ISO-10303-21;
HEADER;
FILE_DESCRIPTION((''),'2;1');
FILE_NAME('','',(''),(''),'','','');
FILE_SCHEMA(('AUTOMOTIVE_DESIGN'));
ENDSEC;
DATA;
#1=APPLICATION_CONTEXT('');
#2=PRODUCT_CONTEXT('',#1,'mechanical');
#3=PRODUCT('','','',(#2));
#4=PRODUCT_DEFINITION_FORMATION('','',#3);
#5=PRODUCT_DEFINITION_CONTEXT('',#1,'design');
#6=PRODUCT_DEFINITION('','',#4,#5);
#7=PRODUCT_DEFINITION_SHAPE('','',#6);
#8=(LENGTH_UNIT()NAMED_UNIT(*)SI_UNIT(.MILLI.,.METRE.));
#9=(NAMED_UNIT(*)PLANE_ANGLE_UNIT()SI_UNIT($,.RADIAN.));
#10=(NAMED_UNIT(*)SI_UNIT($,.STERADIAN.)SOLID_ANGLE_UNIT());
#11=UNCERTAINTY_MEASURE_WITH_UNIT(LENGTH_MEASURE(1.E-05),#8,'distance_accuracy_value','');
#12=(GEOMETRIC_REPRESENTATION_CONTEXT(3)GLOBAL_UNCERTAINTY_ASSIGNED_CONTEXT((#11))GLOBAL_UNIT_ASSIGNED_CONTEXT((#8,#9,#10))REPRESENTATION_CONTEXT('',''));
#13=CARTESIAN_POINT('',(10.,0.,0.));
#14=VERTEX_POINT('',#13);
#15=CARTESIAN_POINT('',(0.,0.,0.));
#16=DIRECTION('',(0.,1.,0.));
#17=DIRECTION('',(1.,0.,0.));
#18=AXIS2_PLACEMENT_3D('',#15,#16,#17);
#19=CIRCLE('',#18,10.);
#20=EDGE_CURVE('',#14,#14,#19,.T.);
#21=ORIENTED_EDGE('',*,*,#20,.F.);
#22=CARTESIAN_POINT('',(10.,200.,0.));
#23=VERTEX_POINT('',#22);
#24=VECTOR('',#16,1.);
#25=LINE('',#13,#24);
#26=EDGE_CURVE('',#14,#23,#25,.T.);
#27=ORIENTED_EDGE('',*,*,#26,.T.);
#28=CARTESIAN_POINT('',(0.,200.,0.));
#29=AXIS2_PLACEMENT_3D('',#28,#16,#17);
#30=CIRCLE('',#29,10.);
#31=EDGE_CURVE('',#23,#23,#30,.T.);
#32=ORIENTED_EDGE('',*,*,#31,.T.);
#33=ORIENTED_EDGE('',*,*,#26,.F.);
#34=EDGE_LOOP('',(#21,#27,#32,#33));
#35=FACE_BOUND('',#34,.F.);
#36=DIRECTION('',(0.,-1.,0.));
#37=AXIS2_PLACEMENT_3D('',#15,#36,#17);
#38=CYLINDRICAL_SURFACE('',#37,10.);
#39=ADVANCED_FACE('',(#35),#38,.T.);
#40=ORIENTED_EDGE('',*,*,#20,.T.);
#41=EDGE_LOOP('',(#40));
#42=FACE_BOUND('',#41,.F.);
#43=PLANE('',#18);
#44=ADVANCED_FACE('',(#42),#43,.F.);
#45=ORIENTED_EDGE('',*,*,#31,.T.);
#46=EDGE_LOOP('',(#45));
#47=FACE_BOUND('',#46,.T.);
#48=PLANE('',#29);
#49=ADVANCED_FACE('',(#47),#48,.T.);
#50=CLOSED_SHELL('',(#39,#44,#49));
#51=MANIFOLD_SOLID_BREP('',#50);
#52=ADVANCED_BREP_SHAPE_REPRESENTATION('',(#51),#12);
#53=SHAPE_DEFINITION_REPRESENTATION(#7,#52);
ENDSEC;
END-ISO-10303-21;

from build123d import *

# Parameters (mm, degrees)
SKETCH1_R           = 10
BOSS_EXTRUDE1_DEPTH = 200


with BuildPart() as part:
    # Sketch1 → Boss-Extrude1 (new body)
    with BuildSketch(Plane(origin=(0, 0, 0), x_dir=(1, 0, 0), z_dir=(0, 1, 0))):
        Circle(SKETCH1_R)
    extrude(amount=BOSS_EXTRUDE1_DEPTH)


solid = part.part
